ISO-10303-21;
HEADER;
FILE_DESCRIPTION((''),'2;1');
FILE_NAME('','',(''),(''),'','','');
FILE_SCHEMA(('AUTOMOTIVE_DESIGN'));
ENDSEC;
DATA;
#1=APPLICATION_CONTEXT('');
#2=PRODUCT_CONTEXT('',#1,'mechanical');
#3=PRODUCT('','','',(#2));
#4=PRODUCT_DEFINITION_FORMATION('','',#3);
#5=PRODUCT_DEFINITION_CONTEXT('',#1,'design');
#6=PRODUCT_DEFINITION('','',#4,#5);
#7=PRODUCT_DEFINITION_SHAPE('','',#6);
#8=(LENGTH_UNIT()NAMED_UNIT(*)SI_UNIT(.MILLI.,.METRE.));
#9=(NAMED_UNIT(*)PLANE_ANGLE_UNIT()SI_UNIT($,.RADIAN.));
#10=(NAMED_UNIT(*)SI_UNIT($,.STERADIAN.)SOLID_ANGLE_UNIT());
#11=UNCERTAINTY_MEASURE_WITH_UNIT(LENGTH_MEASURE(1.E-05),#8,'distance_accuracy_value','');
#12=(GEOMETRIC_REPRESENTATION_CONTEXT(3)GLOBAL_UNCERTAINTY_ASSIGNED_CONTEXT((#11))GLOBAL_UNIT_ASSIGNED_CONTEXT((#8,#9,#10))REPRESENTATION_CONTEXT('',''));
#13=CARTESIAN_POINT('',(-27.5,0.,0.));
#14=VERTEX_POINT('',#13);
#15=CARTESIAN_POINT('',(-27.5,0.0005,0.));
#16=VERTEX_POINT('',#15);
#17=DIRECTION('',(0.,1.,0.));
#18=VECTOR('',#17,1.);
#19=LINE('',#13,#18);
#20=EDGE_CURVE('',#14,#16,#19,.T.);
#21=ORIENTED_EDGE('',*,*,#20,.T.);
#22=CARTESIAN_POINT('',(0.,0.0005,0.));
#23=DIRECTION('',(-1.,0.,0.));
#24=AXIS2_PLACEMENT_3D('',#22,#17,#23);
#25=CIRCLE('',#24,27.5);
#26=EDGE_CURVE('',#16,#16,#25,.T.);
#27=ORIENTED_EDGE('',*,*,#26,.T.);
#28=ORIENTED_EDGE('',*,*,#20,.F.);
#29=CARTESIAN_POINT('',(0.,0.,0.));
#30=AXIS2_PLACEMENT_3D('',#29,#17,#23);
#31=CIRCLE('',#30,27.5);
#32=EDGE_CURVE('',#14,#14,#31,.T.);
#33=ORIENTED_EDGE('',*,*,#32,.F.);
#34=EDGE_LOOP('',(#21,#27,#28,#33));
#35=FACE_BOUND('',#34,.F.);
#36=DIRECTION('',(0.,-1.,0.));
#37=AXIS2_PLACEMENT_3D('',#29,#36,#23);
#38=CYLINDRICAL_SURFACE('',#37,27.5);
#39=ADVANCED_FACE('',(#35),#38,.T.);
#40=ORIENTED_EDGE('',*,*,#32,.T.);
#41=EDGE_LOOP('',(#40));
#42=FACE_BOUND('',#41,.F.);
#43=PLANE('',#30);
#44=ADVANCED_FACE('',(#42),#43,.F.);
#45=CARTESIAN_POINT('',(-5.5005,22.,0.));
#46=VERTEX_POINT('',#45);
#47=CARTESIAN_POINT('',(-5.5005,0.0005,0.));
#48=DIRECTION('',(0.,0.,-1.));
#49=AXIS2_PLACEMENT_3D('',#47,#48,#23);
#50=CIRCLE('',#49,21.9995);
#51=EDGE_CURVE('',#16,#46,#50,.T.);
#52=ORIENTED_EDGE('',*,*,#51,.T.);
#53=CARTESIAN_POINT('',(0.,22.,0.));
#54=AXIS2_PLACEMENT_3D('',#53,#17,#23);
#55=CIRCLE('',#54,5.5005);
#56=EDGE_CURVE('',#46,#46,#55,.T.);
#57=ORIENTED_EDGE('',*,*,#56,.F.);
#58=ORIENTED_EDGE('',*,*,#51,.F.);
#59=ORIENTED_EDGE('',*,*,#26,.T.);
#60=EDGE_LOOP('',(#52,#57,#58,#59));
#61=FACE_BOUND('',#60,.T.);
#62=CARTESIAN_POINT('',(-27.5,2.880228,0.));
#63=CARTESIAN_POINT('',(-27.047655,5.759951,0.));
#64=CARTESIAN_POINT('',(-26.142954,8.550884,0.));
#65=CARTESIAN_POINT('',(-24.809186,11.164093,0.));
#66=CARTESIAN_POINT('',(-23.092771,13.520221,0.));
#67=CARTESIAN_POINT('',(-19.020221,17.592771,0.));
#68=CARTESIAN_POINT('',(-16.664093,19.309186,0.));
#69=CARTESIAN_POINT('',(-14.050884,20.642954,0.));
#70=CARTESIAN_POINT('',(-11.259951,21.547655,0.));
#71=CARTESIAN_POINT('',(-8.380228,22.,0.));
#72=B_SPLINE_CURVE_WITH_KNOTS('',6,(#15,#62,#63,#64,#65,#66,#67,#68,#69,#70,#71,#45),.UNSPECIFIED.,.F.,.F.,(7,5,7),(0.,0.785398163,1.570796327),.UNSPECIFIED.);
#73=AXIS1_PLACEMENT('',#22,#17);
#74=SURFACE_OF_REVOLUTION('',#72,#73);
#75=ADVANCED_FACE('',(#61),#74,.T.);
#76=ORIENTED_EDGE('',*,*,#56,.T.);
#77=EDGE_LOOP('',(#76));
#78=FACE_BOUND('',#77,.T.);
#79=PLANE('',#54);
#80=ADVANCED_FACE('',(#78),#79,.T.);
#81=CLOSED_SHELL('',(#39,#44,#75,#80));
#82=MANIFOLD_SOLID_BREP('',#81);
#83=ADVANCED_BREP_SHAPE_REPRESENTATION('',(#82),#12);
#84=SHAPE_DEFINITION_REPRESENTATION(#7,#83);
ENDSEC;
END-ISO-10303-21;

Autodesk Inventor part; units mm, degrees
ref_plane "YZ Plane" through (0, 0, 0) normal (1, 0, 0) x (0, 1, 0)
ref_plane "XZ Plane" through (0, 0, 0) normal (0, 1, 0) x (-1, 0, 0)
ref_plane "XY Plane" through (0, 0, 0) normal (0, 0, 1) x (1, 0, 0)
sketch "Sketch1" plane through (0, 0, 0) normal (0, 1, 0) x (-1, 0, 0)
  circle A0 centre (0, 0) radius 27.5
  dimension "d0" = 55
extrude "Extrusion1" add sketch "Sketch1" along normal blind 22
fillet "Fillet1" radius 22 1 edges at (27.5, 22, 0)
equation "\"BendRadius\" = Thickness"
equation "\"BendReliefWidth\" = Thickness"
equation "\"BendReliefDepth\" = 0.5 * Thickness"
equation "\"CornerReliefSize\" = 4 * Thickness"
equation "\"MinimumRemnant\" = 2 * Thickness"
equation "\"TransitionRadius\" = BendRadius"
equation "\"JacobiRadiusSize\" = BendRadius"
equation "\"GapSize\" = Thickness"
equation "\"Thickness\" = 0.5"
